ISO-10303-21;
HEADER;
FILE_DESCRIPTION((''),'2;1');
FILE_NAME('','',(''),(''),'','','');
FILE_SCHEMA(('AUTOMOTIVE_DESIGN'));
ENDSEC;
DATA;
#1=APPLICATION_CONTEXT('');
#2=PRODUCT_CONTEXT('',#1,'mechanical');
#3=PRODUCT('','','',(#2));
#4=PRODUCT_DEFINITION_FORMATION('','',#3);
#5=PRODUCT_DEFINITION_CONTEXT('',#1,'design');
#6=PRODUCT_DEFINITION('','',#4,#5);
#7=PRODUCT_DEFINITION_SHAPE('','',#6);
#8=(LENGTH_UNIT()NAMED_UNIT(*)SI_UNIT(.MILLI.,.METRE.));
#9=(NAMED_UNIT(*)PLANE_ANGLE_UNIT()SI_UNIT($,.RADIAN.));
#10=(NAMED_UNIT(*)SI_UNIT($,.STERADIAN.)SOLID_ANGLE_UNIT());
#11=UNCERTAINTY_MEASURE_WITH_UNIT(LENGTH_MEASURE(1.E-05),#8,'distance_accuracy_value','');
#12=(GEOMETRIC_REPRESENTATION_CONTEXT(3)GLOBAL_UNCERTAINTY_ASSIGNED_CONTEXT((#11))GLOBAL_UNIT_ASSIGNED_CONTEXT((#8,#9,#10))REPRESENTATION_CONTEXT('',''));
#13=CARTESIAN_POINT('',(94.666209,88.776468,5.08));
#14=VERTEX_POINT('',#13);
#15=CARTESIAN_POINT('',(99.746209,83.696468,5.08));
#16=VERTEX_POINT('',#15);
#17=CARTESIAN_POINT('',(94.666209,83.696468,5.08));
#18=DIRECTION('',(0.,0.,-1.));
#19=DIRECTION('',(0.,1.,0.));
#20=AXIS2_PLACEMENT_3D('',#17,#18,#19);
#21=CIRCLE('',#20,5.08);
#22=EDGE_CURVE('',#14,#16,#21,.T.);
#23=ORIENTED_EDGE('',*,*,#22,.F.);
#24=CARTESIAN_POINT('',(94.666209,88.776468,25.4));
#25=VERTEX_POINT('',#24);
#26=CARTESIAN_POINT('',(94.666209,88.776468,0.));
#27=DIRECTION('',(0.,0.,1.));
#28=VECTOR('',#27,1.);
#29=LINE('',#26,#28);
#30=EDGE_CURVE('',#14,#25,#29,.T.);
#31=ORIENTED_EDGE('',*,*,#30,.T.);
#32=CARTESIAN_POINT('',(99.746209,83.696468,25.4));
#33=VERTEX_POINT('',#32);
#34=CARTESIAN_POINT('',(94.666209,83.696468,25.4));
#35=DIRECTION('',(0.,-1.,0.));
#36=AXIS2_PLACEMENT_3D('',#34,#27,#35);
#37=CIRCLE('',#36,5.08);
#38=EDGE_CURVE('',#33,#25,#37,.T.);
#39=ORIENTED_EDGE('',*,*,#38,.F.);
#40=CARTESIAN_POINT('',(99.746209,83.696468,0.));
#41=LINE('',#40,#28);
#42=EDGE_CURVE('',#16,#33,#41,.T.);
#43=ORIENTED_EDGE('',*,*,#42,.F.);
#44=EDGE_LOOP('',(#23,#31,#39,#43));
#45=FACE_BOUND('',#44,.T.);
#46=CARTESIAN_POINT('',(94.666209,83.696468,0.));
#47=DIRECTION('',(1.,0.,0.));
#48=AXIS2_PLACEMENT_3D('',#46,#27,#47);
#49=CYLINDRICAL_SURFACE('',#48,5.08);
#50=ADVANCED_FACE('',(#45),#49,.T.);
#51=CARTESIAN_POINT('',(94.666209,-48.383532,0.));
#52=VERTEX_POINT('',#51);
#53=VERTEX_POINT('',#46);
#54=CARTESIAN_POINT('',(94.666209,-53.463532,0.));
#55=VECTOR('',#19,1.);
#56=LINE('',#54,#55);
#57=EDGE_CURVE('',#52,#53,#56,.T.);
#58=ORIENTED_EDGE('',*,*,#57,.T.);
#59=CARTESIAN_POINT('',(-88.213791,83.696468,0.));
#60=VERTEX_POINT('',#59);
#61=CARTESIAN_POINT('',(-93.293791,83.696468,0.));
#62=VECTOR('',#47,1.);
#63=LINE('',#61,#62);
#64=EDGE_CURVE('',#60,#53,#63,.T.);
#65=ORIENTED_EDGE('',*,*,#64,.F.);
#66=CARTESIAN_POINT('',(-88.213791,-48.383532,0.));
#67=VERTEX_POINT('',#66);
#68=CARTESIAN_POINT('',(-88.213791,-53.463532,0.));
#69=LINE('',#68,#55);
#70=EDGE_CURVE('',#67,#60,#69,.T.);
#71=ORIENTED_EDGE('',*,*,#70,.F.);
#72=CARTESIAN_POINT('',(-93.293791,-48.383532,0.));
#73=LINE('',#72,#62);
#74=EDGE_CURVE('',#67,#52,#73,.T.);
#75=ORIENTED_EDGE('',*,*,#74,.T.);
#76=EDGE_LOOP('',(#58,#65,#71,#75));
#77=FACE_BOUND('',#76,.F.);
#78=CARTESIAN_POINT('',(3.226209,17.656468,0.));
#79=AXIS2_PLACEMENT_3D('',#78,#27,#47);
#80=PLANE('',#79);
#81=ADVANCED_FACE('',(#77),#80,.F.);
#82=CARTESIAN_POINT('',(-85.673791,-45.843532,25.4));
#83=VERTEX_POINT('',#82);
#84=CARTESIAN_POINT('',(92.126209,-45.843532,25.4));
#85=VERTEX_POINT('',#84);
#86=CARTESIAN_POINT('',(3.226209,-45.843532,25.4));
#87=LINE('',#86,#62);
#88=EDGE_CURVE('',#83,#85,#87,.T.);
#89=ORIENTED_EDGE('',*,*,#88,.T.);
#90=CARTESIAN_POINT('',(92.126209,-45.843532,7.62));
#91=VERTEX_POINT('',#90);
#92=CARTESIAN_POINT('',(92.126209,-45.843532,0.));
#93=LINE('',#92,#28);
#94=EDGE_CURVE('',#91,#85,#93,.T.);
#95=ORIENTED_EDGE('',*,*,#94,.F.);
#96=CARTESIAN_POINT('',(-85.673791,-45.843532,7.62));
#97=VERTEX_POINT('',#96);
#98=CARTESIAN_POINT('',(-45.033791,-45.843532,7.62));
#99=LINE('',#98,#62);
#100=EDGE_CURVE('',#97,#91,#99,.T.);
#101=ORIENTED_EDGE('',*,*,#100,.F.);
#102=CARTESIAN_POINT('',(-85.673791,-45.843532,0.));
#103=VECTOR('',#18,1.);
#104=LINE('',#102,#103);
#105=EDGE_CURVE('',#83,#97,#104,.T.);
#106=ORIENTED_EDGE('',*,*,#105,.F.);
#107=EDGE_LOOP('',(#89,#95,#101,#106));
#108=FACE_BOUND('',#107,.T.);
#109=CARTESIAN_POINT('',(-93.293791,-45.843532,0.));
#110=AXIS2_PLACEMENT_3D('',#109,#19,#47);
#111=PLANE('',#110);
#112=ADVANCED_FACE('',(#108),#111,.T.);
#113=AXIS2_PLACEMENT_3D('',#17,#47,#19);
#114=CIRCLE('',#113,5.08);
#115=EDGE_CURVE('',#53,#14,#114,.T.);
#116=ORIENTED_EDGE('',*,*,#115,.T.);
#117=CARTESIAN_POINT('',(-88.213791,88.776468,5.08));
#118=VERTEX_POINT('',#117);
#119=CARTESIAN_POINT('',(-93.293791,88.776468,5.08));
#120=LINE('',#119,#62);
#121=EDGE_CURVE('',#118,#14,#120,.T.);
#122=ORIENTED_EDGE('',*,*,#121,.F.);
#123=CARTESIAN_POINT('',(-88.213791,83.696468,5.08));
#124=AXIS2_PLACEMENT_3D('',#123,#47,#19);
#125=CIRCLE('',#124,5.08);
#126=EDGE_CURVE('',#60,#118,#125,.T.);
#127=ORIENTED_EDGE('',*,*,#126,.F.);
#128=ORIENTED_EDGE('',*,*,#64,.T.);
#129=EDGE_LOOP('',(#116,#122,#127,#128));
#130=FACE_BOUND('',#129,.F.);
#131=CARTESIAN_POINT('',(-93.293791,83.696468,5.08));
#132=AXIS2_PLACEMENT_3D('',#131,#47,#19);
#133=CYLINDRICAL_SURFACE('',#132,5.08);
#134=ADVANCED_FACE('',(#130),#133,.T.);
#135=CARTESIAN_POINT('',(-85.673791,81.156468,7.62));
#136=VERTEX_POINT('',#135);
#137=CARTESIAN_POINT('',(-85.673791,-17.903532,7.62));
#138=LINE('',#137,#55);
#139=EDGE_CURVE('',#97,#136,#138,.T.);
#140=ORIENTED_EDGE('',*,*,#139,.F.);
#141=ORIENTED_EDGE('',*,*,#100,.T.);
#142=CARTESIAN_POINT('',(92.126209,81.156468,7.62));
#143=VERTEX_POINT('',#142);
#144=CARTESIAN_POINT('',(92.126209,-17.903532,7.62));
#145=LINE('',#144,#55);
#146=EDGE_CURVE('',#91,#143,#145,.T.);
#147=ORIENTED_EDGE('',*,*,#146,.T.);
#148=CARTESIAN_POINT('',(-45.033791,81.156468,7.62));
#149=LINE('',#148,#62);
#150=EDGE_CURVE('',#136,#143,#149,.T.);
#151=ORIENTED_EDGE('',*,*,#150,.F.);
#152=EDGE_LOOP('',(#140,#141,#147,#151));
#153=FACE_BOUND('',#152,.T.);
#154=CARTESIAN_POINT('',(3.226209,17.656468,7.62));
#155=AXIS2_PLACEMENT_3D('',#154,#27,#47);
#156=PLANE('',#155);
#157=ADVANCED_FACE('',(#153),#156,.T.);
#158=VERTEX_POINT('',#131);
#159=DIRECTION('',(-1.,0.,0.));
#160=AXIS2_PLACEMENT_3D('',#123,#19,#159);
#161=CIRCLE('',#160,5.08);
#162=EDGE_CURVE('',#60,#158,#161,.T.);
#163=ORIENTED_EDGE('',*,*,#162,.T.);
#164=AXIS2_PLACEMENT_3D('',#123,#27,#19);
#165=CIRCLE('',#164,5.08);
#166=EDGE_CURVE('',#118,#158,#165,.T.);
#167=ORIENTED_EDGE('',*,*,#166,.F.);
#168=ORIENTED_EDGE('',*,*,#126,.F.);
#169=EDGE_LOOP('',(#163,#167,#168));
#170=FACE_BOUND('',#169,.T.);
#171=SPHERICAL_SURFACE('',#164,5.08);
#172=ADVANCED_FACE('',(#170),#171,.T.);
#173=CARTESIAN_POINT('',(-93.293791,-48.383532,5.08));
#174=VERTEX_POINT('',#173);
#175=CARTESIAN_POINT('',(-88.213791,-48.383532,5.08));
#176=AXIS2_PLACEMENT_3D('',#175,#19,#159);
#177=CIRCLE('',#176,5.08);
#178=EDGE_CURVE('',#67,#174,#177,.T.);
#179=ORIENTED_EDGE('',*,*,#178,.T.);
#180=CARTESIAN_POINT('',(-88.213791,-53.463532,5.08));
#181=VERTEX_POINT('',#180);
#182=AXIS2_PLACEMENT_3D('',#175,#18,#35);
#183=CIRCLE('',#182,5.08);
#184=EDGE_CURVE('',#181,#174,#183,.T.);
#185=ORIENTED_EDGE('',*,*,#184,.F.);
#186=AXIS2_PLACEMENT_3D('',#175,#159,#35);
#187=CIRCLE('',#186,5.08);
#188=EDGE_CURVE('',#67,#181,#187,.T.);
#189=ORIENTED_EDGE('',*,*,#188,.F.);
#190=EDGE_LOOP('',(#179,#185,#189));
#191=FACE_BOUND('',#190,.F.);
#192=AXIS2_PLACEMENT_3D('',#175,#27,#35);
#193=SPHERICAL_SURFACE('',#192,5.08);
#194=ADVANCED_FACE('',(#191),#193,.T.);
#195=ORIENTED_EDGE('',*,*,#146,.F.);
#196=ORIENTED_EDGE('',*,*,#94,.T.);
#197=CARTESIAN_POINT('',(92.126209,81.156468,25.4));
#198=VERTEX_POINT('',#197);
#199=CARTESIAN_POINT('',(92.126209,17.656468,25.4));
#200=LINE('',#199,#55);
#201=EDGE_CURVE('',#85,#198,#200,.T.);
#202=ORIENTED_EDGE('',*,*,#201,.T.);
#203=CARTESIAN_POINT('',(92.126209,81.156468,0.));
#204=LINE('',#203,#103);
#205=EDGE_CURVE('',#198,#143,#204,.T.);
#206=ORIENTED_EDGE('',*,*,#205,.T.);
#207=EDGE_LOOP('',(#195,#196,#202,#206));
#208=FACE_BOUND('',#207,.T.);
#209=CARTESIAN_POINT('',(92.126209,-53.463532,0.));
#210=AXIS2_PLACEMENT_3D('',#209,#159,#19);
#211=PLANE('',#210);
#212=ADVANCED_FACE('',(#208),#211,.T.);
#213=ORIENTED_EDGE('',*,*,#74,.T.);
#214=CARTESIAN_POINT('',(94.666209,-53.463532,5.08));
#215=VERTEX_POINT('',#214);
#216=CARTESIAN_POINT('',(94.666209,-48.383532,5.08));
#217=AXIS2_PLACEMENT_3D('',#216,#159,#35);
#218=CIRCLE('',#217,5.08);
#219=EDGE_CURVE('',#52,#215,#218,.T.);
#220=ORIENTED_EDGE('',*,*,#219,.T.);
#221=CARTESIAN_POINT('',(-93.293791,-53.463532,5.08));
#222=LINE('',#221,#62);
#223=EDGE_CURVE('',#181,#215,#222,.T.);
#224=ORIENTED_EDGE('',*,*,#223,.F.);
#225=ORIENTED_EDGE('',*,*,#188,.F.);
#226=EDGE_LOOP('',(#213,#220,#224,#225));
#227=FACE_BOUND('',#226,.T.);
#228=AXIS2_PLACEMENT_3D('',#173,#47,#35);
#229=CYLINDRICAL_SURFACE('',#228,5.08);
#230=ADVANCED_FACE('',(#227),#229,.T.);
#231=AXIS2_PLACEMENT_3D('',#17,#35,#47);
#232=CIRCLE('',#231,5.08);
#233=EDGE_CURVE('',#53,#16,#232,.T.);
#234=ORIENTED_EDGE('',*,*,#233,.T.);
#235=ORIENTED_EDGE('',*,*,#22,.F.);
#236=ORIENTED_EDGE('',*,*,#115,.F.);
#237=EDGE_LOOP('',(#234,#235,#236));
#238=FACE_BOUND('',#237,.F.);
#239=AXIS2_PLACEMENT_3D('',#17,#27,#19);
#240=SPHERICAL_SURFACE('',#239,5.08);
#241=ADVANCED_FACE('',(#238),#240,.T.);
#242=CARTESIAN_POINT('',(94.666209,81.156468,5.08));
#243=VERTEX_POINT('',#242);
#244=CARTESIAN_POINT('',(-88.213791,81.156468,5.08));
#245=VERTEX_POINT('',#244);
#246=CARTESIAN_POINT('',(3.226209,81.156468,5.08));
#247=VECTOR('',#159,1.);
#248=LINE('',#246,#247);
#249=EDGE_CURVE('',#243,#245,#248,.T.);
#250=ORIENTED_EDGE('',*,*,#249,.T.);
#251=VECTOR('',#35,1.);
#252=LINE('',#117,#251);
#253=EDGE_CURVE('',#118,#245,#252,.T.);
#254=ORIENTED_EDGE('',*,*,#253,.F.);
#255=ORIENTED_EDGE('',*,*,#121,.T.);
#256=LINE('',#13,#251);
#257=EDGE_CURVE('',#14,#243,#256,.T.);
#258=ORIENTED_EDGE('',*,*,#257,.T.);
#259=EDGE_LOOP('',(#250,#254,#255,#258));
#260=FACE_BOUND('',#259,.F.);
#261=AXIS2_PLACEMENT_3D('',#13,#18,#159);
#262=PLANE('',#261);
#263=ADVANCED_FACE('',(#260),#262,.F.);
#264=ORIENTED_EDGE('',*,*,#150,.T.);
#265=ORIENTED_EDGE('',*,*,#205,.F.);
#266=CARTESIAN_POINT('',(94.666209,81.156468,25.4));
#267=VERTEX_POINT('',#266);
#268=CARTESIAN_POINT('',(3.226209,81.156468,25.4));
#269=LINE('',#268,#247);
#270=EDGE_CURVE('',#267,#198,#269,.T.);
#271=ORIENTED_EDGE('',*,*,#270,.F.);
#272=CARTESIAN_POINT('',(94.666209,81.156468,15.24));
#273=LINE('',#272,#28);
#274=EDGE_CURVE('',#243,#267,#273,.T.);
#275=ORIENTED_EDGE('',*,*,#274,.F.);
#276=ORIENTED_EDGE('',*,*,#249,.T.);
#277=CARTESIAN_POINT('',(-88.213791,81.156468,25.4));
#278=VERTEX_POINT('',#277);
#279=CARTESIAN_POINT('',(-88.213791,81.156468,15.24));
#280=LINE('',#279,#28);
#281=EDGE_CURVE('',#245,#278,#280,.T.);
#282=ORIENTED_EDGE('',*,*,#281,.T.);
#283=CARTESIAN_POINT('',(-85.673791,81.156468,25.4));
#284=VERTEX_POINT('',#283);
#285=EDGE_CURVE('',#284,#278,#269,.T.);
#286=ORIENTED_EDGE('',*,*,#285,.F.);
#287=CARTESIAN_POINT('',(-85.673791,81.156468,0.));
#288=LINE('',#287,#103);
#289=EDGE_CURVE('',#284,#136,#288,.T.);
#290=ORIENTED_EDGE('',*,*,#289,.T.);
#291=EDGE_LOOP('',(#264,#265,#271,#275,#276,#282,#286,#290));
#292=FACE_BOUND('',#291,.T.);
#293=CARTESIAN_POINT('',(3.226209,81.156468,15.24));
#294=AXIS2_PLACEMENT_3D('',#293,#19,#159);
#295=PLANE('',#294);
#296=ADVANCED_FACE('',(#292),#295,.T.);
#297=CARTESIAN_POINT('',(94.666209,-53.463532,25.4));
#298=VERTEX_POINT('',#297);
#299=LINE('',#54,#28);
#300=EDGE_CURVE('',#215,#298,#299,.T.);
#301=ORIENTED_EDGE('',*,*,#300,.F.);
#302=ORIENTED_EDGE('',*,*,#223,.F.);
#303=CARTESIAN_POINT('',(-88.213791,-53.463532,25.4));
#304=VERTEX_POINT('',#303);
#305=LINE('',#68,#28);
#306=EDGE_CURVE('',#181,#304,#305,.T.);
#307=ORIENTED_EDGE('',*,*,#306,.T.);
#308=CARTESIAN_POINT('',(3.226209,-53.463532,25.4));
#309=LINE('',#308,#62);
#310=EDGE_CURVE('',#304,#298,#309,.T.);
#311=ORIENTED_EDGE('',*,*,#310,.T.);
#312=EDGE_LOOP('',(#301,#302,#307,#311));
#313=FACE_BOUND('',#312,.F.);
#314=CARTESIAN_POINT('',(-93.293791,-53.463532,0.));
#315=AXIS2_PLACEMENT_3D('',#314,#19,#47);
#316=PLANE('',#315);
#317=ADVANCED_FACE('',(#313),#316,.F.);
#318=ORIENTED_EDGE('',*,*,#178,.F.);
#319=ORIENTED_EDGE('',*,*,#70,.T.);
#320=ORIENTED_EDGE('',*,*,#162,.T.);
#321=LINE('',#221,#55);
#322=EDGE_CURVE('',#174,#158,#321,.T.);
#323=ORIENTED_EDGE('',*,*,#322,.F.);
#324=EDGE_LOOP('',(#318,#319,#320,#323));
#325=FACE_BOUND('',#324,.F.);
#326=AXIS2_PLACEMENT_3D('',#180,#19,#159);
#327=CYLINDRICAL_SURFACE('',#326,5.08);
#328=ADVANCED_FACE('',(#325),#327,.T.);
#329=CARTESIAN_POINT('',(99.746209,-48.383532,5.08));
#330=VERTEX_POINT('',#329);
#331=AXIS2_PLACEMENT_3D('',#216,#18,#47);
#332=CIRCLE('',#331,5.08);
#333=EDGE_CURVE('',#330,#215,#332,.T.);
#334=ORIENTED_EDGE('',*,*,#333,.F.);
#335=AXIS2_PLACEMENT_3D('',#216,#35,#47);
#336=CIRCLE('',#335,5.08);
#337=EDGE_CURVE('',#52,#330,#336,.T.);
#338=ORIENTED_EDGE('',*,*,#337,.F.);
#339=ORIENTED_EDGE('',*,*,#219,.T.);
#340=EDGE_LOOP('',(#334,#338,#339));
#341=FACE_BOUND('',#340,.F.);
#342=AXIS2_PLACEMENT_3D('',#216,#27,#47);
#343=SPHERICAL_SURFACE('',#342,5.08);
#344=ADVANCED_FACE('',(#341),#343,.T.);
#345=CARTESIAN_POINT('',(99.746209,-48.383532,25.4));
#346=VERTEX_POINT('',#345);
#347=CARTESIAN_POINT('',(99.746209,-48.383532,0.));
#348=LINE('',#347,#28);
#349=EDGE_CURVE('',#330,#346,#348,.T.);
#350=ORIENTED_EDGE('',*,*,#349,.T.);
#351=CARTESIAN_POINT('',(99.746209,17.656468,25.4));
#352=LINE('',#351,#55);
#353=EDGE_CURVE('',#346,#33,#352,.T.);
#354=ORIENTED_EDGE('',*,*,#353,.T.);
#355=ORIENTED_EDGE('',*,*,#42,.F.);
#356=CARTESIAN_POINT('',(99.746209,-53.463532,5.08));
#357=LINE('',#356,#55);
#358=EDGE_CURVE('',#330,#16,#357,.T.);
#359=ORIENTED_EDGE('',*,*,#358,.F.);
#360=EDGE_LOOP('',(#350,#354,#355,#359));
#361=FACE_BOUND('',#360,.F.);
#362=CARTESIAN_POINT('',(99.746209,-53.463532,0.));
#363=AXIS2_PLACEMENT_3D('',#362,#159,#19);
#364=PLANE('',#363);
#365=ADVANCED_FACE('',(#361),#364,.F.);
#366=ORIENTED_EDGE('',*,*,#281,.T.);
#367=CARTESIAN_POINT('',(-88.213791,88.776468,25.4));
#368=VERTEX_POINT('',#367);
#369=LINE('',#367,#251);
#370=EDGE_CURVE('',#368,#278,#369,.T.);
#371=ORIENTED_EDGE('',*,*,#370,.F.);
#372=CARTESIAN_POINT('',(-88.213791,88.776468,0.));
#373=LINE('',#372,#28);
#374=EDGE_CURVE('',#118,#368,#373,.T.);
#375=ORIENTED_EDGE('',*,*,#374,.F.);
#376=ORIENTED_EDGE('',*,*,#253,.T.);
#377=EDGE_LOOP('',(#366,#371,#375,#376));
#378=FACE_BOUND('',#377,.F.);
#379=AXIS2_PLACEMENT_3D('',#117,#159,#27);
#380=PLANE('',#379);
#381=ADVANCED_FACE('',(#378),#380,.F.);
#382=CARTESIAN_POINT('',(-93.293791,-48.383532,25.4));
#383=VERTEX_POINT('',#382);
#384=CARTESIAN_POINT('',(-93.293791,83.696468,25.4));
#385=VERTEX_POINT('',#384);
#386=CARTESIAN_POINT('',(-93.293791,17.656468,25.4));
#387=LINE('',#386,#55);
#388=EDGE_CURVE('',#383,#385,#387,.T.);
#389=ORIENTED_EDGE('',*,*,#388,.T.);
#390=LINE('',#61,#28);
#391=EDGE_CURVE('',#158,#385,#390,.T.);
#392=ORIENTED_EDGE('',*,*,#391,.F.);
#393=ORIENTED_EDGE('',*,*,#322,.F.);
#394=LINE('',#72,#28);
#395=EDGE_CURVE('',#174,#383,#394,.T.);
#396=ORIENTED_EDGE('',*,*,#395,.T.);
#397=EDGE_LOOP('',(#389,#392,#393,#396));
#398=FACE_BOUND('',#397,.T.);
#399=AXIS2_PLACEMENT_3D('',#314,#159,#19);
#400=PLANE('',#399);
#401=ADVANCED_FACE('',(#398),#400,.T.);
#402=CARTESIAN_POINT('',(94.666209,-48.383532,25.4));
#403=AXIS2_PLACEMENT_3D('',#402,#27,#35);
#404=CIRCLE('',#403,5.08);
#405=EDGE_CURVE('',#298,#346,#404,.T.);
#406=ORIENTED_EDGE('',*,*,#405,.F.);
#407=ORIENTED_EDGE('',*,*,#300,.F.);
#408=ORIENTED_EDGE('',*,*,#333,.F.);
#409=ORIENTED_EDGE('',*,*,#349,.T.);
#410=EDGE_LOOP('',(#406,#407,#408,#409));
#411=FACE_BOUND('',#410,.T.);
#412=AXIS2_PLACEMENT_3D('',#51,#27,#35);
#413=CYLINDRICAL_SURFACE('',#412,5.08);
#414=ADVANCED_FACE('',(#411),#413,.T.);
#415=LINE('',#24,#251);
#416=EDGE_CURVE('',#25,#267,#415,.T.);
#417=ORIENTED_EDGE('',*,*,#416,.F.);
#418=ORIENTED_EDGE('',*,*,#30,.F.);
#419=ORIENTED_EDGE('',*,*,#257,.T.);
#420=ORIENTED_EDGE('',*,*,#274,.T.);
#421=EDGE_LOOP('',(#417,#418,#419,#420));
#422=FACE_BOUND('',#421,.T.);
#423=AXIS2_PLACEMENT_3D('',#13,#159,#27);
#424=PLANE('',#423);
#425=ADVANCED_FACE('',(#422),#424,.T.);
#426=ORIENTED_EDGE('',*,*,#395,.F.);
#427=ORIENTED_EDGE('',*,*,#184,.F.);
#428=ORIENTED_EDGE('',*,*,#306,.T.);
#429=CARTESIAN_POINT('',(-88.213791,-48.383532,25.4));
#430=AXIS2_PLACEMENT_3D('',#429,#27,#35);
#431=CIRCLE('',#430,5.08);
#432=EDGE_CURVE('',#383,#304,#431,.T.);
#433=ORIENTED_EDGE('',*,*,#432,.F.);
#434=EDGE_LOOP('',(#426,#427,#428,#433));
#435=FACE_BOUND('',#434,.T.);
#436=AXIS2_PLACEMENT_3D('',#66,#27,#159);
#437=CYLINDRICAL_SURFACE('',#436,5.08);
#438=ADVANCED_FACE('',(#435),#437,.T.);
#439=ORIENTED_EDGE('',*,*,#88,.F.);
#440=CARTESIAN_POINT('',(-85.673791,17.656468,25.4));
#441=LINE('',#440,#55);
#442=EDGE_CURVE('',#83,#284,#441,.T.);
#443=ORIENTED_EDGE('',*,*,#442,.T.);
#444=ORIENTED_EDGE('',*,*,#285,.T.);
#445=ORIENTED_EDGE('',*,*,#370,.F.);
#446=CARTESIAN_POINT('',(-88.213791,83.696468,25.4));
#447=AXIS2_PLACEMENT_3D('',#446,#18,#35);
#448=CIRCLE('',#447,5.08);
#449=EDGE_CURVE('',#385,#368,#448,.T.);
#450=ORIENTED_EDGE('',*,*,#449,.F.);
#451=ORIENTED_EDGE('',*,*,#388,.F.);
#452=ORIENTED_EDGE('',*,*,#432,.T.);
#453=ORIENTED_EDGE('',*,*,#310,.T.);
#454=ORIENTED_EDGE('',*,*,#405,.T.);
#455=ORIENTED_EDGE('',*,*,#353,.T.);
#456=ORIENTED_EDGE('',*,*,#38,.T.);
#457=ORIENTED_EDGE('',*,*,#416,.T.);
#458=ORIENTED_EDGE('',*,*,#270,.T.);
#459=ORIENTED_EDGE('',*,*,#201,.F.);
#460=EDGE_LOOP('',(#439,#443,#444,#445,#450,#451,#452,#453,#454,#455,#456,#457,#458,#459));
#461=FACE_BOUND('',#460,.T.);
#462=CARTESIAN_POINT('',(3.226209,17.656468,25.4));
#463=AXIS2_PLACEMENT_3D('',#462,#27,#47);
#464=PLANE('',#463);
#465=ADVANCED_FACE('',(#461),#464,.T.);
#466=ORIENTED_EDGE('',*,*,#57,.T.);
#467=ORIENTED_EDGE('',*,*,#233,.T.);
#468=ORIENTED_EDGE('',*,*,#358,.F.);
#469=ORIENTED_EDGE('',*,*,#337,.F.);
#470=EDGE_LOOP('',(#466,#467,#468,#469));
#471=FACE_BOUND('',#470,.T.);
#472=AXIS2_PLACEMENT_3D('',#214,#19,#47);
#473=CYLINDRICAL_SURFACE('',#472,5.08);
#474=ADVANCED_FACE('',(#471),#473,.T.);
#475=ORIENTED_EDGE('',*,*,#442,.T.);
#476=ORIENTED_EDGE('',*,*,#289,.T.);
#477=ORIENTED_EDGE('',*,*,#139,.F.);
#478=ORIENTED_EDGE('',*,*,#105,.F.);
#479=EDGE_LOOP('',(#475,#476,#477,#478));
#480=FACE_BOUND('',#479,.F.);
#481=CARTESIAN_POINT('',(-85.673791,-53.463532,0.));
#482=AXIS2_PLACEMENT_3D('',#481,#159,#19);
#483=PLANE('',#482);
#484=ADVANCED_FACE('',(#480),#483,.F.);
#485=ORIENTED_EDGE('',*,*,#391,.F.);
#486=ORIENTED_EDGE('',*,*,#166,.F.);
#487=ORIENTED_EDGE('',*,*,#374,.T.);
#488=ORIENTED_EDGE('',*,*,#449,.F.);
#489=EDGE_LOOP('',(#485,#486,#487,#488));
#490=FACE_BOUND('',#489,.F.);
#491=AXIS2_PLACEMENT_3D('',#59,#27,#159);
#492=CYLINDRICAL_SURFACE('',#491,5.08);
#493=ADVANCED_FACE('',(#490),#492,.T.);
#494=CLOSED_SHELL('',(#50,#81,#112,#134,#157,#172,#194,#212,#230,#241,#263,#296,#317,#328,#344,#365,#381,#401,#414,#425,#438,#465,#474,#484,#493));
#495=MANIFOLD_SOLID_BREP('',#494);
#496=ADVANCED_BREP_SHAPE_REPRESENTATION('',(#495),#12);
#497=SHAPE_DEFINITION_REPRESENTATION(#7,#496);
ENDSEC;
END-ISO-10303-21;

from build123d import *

# Parameters (mm, degrees)
F0_W      = 193.04
F0_H      = 142.24
F1_DEPTH  = 25.4
F2_T      = -7.62
F3_R      = 5.08
F1_FACE_W = 182.88
F1_FACE_H = 20.32
F4_DEPTH  = 7.62


with BuildPart() as f1:
    # F0 (on Top) → F1 (new body)
    with BuildSketch(Plane.XY):
        with Locations((3.226209, 17.656468)):
            Rectangle(F0_W, F0_H)
    extrude(amount=F1_DEPTH)

    # F2
    f2_openings = [f1.faces().sort_by_distance(p)[0] for p in [
        (3.226209, 17.656468, 25.4),
    ]]
    offset(amount=F2_T, openings=f2_openings)

    # F3
    f3_edges = [f1.edges().sort_by_distance(p)[0] for p in [
        (-93.293791, -53.463532, 12.7),
        (-93.293791, 88.776468, 12.7),
        (99.746209, 88.776468, 12.7),
        (99.746209, -53.463532, 12.7),
        (3.226209, 88.776468, 0),
        (99.746209, 17.656468, 0),
        (3.226209, -53.463532, 0),
        (-93.293791, 17.656468, 0),
    ]]
    fillet(f3_edges, radius=F3_R)

    # F1_face (on face) → F4 (cut)
    with BuildSketch(Plane(origin=(3.226209, 88.776468, 15.24), x_dir=(-1, 0, 0), z_dir=(0, 1, 0))):
        Rectangle(F1_FACE_W, F1_FACE_H)
    extrude(amount=-F4_DEPTH, mode=Mode.SUBTRACT)


solid = f1.part
